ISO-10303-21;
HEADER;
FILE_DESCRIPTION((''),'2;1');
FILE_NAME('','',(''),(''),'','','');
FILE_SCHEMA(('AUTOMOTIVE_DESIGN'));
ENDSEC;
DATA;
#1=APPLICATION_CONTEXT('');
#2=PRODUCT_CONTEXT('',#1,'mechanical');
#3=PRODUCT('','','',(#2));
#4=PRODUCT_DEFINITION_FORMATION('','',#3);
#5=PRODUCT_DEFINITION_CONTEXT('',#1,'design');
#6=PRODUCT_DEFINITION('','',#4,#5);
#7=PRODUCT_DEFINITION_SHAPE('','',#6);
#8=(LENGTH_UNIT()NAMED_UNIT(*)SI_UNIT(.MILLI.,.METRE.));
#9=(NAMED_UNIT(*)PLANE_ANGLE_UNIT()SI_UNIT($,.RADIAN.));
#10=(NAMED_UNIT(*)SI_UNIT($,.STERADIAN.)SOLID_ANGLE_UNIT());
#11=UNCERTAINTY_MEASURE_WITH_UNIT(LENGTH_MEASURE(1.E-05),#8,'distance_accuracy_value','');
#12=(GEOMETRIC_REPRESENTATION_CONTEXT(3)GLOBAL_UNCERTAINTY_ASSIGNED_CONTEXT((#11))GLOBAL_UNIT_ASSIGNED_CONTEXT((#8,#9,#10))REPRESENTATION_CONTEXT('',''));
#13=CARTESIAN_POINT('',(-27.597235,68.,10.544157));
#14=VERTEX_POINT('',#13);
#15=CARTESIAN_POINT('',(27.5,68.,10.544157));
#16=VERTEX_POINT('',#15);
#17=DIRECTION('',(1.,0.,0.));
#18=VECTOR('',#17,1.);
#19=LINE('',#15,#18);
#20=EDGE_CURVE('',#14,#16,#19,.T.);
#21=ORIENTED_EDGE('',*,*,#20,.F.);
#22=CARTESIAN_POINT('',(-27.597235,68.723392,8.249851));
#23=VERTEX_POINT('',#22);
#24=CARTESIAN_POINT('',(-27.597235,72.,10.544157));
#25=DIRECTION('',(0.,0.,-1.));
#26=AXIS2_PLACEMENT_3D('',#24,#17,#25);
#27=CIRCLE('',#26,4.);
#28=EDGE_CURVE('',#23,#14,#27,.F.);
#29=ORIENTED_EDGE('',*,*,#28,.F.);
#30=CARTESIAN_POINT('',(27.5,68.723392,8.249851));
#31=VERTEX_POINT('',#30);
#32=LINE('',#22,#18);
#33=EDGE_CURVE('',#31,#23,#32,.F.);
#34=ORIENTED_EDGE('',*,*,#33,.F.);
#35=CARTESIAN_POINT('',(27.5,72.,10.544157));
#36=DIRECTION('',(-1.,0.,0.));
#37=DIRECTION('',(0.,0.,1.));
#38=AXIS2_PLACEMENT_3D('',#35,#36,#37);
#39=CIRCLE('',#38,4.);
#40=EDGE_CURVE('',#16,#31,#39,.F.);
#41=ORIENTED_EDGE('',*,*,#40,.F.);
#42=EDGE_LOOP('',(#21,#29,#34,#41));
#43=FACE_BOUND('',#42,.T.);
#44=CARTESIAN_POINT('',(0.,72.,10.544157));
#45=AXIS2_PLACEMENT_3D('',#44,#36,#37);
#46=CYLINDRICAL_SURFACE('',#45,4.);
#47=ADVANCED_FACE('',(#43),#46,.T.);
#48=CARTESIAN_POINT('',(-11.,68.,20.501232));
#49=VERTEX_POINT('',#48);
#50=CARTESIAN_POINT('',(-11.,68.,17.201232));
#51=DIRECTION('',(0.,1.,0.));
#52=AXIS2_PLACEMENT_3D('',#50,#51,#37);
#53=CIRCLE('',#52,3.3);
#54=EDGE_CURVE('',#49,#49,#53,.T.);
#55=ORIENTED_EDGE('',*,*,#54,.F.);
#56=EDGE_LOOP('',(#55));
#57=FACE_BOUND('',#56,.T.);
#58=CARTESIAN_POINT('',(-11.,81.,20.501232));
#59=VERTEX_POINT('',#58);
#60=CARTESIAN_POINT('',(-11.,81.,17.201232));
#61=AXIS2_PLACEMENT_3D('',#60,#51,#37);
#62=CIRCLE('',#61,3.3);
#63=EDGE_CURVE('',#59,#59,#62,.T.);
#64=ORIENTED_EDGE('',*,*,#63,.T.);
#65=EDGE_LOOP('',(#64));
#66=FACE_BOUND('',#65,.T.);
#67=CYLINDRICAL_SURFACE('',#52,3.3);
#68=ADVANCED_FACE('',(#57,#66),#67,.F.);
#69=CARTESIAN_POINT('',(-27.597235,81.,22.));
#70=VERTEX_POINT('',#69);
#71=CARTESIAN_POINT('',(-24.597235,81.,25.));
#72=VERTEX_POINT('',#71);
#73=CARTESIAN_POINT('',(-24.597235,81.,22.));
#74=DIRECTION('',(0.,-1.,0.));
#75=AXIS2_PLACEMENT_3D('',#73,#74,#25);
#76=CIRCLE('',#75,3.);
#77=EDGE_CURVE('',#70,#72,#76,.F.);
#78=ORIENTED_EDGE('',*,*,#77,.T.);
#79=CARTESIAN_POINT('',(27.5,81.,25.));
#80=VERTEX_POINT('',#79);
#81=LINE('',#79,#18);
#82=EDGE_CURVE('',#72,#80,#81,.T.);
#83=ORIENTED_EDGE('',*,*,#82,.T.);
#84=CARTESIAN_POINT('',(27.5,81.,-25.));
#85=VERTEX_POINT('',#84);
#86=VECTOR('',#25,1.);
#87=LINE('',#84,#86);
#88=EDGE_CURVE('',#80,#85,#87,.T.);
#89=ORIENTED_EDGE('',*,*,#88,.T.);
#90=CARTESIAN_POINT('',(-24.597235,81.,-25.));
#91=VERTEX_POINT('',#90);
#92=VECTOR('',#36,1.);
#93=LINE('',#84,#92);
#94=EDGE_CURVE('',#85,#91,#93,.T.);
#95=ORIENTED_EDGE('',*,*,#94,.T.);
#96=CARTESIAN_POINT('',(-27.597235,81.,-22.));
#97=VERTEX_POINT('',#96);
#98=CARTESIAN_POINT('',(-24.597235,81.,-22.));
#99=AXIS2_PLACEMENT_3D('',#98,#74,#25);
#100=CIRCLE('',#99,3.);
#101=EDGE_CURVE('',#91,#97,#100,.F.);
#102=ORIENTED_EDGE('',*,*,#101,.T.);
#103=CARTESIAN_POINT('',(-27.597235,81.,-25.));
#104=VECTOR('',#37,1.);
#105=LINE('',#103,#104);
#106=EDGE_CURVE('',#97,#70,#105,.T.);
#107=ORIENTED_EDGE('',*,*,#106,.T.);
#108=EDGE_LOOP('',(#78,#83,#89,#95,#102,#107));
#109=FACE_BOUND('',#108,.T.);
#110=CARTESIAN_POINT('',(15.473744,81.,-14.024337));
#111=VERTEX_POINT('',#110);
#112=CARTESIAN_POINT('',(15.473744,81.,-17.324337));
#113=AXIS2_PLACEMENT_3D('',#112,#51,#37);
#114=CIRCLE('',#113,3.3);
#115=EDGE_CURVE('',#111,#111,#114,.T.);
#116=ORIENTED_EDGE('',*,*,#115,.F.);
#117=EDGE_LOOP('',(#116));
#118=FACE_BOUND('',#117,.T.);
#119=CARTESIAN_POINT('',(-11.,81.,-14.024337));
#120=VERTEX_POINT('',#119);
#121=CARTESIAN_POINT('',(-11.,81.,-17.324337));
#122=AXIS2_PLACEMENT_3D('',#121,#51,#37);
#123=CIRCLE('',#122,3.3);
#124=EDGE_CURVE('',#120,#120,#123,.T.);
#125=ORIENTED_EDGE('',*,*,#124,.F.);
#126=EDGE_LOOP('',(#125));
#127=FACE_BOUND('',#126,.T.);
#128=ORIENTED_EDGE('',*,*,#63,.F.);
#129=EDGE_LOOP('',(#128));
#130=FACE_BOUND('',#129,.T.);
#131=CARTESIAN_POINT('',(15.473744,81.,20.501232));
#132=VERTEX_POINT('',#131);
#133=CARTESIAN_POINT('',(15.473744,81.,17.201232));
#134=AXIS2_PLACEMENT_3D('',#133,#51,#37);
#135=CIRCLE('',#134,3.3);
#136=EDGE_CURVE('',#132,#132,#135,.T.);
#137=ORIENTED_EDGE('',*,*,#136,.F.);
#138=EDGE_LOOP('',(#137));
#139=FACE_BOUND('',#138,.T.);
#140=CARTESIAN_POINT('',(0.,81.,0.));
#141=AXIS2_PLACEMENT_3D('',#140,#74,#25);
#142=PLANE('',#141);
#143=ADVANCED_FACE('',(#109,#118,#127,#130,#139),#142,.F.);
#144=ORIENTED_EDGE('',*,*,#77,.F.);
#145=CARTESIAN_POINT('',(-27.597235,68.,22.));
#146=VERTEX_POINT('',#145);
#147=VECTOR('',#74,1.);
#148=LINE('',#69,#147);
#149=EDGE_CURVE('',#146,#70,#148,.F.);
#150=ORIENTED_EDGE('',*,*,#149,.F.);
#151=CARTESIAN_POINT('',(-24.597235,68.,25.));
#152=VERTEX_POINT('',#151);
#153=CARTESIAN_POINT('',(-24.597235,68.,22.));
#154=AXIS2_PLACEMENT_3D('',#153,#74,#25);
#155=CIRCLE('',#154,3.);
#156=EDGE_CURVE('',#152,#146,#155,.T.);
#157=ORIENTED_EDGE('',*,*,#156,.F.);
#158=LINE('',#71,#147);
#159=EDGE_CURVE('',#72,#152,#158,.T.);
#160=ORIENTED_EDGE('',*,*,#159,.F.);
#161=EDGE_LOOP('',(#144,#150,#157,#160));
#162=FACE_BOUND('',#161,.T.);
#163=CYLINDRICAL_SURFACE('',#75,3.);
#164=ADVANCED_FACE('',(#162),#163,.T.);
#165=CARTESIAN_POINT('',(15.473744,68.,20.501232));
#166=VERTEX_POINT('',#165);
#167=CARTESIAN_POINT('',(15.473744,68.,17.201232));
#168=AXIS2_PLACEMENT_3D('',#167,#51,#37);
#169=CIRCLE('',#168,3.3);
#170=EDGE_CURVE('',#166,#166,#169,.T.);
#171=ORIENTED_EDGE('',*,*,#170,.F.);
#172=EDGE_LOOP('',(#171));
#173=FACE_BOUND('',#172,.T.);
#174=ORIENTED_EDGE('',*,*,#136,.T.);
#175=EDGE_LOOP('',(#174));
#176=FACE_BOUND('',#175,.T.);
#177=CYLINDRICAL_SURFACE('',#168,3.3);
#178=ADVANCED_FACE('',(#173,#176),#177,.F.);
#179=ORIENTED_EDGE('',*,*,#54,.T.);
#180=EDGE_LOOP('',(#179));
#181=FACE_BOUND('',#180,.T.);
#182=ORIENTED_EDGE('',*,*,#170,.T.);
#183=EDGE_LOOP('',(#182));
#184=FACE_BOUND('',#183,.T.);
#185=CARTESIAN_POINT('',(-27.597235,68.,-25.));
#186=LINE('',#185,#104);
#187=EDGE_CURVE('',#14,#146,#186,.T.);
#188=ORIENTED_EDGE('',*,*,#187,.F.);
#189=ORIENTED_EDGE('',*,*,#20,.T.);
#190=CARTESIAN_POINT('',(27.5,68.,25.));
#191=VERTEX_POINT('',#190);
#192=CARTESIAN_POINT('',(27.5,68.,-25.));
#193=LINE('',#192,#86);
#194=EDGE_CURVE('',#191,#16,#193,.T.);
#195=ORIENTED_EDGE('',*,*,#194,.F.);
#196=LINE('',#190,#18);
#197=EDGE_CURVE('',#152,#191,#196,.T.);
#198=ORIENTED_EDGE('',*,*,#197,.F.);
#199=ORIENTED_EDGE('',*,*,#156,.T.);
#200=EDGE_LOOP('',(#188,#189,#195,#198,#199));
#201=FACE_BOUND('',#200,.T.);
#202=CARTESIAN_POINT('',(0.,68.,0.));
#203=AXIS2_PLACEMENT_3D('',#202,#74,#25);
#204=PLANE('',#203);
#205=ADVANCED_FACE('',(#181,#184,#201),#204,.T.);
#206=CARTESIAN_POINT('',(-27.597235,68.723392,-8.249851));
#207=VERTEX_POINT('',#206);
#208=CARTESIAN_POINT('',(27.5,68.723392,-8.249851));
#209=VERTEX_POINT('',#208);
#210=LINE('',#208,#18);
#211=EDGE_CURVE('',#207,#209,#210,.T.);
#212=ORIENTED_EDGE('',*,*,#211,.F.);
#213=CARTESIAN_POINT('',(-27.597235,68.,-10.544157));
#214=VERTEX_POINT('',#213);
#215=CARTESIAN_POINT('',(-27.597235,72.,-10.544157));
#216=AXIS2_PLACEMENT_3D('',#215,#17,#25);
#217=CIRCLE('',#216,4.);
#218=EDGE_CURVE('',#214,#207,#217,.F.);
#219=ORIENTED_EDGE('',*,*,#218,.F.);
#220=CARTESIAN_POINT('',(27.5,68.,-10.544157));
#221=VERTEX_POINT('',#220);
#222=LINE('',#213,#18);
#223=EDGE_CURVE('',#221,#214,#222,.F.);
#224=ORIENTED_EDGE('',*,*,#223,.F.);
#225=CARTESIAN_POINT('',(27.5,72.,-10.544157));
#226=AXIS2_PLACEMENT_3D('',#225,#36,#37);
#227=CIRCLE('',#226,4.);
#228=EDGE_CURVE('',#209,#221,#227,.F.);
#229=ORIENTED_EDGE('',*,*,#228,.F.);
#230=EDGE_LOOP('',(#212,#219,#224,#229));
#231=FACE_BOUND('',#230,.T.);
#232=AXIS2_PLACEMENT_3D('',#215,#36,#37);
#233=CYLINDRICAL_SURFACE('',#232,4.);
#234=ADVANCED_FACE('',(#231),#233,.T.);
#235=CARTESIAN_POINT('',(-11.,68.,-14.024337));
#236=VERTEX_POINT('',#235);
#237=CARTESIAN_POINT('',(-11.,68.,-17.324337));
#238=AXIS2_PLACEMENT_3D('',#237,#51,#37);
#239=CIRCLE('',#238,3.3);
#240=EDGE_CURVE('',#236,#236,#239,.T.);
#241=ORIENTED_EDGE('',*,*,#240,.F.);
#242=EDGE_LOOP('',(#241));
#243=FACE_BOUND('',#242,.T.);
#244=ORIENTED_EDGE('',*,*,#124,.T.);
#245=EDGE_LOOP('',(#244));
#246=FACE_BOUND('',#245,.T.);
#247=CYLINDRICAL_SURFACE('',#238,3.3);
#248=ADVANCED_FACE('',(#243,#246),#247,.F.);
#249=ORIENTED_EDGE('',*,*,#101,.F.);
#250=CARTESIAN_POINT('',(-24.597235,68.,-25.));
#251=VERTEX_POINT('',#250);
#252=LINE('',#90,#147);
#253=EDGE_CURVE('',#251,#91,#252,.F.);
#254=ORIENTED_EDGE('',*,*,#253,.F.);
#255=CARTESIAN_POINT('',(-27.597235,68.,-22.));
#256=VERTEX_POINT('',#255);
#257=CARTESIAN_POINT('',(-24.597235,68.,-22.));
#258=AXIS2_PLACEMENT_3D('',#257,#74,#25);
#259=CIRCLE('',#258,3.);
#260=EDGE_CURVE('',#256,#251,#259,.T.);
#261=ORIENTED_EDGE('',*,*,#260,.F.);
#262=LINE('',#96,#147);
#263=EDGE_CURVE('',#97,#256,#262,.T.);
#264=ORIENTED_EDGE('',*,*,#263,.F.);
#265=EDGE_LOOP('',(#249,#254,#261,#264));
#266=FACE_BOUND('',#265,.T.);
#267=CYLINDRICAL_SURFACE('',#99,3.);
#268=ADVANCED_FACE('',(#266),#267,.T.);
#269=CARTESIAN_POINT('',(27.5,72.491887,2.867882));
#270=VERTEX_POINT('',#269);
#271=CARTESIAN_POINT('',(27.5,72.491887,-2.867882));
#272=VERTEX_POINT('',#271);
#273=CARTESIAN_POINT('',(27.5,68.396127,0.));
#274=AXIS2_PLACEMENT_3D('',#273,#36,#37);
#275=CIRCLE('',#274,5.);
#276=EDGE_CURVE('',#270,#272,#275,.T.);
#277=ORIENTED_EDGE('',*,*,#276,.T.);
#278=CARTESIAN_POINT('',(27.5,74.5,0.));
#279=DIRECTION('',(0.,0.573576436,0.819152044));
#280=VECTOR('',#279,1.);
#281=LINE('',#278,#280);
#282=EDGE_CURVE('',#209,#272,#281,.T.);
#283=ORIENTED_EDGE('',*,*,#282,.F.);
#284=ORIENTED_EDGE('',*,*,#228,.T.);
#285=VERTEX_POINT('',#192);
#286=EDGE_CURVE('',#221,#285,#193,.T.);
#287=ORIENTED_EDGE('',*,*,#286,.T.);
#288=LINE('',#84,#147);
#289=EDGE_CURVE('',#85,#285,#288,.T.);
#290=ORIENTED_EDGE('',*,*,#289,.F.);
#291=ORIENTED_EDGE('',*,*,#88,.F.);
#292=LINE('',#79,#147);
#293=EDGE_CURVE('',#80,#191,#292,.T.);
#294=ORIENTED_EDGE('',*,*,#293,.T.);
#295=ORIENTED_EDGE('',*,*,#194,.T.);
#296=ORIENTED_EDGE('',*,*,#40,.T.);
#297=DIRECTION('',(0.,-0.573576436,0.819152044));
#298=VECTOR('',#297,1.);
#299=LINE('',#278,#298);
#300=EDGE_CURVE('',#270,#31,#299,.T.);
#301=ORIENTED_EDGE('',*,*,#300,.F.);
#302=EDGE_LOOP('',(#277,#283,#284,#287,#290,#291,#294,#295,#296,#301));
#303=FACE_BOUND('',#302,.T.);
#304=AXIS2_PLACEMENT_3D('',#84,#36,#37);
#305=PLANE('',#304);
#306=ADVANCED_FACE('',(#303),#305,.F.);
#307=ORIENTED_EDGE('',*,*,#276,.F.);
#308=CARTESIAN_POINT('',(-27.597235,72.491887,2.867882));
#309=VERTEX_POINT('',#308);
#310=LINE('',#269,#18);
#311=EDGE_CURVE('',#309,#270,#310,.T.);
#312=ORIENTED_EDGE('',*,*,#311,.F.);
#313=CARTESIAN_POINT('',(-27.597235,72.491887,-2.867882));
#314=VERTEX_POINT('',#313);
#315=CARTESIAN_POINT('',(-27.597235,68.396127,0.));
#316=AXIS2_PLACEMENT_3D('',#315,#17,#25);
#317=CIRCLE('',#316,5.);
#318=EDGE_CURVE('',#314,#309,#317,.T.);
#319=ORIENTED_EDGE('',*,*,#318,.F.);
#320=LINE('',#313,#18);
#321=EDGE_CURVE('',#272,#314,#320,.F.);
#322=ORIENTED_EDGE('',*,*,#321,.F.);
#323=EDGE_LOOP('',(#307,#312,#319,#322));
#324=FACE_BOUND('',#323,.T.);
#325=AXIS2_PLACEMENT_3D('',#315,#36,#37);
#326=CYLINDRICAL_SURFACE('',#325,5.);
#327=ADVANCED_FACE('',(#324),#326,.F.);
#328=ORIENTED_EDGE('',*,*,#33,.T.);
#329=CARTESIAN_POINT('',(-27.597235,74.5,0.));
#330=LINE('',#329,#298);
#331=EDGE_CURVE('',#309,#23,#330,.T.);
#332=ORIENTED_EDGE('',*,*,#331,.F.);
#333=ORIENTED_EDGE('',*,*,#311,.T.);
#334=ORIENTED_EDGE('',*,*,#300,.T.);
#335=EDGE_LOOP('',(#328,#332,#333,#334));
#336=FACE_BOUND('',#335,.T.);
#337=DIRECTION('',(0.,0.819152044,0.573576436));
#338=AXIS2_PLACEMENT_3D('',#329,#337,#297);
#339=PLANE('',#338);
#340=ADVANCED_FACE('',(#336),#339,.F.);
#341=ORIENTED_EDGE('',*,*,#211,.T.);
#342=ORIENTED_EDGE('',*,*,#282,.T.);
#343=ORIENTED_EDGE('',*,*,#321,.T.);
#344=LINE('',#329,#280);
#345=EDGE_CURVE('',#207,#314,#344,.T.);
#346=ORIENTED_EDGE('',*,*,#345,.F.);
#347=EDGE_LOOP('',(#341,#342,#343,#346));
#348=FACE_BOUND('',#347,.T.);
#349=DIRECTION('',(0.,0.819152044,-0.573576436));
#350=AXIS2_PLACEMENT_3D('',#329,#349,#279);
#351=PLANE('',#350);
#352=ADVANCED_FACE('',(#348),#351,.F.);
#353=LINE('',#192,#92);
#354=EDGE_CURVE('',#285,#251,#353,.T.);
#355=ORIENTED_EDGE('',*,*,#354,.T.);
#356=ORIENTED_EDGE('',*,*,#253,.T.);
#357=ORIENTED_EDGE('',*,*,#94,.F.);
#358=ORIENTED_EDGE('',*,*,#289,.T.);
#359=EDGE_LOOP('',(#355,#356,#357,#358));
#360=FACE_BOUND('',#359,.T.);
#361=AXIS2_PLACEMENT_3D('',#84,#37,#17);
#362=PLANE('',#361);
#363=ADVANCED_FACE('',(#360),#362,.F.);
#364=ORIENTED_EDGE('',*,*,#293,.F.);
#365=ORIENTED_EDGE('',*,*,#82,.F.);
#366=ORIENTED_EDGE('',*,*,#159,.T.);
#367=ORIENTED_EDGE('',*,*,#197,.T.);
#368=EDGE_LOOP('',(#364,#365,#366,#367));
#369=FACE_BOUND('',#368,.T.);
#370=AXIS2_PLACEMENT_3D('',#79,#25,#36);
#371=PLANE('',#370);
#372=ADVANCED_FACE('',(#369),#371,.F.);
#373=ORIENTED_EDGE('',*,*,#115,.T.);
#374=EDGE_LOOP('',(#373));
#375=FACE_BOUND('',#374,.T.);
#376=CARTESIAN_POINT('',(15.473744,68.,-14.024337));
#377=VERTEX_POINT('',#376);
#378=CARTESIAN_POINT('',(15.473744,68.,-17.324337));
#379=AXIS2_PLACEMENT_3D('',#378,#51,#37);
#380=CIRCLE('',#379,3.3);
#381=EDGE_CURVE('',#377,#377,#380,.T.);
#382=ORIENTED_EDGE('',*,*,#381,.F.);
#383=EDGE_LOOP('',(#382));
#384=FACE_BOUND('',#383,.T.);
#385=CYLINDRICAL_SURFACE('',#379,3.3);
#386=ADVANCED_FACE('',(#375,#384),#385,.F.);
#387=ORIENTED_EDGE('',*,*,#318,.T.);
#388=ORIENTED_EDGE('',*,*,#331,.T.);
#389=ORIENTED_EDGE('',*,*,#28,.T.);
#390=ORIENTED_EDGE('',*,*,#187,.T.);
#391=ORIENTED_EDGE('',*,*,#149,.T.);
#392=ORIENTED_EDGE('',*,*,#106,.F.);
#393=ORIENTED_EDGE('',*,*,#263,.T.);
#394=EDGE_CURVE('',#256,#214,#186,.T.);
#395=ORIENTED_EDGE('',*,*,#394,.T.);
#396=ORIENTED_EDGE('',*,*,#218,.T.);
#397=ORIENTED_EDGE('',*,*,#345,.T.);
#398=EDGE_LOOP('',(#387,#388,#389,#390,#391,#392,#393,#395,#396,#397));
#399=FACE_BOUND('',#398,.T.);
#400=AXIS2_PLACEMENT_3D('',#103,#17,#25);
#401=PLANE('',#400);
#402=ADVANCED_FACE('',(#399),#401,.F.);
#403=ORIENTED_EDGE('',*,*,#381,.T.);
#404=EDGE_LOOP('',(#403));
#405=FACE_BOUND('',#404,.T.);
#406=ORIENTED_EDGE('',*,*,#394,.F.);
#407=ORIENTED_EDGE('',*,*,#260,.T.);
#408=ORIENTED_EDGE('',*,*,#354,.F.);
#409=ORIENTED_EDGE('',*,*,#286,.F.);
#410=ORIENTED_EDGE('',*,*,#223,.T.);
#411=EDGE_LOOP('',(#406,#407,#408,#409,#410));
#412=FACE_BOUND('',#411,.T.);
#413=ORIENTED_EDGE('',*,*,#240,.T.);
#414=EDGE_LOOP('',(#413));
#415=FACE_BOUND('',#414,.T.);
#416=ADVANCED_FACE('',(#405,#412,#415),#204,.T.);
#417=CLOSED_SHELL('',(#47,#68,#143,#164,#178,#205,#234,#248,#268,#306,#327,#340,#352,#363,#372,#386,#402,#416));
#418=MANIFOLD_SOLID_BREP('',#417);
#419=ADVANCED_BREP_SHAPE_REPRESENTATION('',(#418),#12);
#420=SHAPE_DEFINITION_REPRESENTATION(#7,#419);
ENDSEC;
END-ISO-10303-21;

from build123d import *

# Parameters (mm, degrees)
SKETCH6_W          = 55.097235346
SKETCH6_H          = 50
MAIN_BODY_DEPTH    = 13
MAIN_HOLE_DEPTH    = 56.097235346
EXTERIOR_FILLET_R  = 3
SKETCH9_R          = 3.3
BOLT_HOLES_DEPTH   = 14
TOP_HOLE_FILLET_R  = 5
SIDE_HOLE_FILLET_R = 4


with BuildPart() as part:
    # Sketch6 → Main Body (new body)
    with BuildSketch(Plane(origin=(0, 68, 0), x_dir=(1, 0, 0), z_dir=(0, 1, 0))):
        with Locations((-0.048617673, 0)):
            Rectangle(SKETCH6_W, SKETCH6_H)
    extrude(amount=MAIN_BODY_DEPTH)

    # Sketch7 → Main Hole (cut, through all)
    with BuildSketch(Plane(origin=(27.5, 0, 0), x_dir=(0, 0, -1), z_dir=(1, 0, 0))):
        Polygon((0, 74.5), (-9.282962044, 68), (0, 61.5), (9.282962044, 68), align=None)
    extrude(amount=-MAIN_HOLE_DEPTH, mode=Mode.SUBTRACT)

    # Exterior Fillet
    exterior_fillet_edges = [part.edges().sort_by_distance(p)[0] for p in [
        (-27.597235346, 74.5, 25),
        (-27.597235346, 74.5, -25),
    ]]
    fillet(exterior_fillet_edges, radius=EXTERIOR_FILLET_R)

    # Sketch9 → Bolt Holes (cut, through all)
    with BuildSketch(Plane(origin=(0, 81, 0), x_dir=(1, 0, 0), z_dir=(0, 1, 0))):
        with Locations((15.473743703, -17.201232435)):
            Circle(SKETCH9_R)
        with Locations((-11, -17.201232435)):
            Circle(SKETCH9_R)
        with Locations((15.473743703, 17.324336932)):
            Circle(SKETCH9_R)
        with Locations((-11, 17.324336932)):
            Circle(SKETCH9_R)
    extrude(amount=-BOLT_HOLES_DEPTH, mode=Mode.SUBTRACT)

    # Top Hole Fillet
    top_hole_fillet_edges = [part.edges().sort_by_distance(p)[0] for p in [
        (-0.048617673, 74.5, 0),
    ]]
    fillet(top_hole_fillet_edges, radius=TOP_HOLE_FILLET_R)

    # Side Hole Fillet
    side_hole_fillet_edges = [part.edges().sort_by_distance(p)[0] for p in [
        (-0.048617673, 68, -9.282962044),
        (-0.048617673, 68, 9.282962044),
    ]]
    fillet(side_hole_fillet_edges, radius=SIDE_HOLE_FILLET_R)


solid = part.part
